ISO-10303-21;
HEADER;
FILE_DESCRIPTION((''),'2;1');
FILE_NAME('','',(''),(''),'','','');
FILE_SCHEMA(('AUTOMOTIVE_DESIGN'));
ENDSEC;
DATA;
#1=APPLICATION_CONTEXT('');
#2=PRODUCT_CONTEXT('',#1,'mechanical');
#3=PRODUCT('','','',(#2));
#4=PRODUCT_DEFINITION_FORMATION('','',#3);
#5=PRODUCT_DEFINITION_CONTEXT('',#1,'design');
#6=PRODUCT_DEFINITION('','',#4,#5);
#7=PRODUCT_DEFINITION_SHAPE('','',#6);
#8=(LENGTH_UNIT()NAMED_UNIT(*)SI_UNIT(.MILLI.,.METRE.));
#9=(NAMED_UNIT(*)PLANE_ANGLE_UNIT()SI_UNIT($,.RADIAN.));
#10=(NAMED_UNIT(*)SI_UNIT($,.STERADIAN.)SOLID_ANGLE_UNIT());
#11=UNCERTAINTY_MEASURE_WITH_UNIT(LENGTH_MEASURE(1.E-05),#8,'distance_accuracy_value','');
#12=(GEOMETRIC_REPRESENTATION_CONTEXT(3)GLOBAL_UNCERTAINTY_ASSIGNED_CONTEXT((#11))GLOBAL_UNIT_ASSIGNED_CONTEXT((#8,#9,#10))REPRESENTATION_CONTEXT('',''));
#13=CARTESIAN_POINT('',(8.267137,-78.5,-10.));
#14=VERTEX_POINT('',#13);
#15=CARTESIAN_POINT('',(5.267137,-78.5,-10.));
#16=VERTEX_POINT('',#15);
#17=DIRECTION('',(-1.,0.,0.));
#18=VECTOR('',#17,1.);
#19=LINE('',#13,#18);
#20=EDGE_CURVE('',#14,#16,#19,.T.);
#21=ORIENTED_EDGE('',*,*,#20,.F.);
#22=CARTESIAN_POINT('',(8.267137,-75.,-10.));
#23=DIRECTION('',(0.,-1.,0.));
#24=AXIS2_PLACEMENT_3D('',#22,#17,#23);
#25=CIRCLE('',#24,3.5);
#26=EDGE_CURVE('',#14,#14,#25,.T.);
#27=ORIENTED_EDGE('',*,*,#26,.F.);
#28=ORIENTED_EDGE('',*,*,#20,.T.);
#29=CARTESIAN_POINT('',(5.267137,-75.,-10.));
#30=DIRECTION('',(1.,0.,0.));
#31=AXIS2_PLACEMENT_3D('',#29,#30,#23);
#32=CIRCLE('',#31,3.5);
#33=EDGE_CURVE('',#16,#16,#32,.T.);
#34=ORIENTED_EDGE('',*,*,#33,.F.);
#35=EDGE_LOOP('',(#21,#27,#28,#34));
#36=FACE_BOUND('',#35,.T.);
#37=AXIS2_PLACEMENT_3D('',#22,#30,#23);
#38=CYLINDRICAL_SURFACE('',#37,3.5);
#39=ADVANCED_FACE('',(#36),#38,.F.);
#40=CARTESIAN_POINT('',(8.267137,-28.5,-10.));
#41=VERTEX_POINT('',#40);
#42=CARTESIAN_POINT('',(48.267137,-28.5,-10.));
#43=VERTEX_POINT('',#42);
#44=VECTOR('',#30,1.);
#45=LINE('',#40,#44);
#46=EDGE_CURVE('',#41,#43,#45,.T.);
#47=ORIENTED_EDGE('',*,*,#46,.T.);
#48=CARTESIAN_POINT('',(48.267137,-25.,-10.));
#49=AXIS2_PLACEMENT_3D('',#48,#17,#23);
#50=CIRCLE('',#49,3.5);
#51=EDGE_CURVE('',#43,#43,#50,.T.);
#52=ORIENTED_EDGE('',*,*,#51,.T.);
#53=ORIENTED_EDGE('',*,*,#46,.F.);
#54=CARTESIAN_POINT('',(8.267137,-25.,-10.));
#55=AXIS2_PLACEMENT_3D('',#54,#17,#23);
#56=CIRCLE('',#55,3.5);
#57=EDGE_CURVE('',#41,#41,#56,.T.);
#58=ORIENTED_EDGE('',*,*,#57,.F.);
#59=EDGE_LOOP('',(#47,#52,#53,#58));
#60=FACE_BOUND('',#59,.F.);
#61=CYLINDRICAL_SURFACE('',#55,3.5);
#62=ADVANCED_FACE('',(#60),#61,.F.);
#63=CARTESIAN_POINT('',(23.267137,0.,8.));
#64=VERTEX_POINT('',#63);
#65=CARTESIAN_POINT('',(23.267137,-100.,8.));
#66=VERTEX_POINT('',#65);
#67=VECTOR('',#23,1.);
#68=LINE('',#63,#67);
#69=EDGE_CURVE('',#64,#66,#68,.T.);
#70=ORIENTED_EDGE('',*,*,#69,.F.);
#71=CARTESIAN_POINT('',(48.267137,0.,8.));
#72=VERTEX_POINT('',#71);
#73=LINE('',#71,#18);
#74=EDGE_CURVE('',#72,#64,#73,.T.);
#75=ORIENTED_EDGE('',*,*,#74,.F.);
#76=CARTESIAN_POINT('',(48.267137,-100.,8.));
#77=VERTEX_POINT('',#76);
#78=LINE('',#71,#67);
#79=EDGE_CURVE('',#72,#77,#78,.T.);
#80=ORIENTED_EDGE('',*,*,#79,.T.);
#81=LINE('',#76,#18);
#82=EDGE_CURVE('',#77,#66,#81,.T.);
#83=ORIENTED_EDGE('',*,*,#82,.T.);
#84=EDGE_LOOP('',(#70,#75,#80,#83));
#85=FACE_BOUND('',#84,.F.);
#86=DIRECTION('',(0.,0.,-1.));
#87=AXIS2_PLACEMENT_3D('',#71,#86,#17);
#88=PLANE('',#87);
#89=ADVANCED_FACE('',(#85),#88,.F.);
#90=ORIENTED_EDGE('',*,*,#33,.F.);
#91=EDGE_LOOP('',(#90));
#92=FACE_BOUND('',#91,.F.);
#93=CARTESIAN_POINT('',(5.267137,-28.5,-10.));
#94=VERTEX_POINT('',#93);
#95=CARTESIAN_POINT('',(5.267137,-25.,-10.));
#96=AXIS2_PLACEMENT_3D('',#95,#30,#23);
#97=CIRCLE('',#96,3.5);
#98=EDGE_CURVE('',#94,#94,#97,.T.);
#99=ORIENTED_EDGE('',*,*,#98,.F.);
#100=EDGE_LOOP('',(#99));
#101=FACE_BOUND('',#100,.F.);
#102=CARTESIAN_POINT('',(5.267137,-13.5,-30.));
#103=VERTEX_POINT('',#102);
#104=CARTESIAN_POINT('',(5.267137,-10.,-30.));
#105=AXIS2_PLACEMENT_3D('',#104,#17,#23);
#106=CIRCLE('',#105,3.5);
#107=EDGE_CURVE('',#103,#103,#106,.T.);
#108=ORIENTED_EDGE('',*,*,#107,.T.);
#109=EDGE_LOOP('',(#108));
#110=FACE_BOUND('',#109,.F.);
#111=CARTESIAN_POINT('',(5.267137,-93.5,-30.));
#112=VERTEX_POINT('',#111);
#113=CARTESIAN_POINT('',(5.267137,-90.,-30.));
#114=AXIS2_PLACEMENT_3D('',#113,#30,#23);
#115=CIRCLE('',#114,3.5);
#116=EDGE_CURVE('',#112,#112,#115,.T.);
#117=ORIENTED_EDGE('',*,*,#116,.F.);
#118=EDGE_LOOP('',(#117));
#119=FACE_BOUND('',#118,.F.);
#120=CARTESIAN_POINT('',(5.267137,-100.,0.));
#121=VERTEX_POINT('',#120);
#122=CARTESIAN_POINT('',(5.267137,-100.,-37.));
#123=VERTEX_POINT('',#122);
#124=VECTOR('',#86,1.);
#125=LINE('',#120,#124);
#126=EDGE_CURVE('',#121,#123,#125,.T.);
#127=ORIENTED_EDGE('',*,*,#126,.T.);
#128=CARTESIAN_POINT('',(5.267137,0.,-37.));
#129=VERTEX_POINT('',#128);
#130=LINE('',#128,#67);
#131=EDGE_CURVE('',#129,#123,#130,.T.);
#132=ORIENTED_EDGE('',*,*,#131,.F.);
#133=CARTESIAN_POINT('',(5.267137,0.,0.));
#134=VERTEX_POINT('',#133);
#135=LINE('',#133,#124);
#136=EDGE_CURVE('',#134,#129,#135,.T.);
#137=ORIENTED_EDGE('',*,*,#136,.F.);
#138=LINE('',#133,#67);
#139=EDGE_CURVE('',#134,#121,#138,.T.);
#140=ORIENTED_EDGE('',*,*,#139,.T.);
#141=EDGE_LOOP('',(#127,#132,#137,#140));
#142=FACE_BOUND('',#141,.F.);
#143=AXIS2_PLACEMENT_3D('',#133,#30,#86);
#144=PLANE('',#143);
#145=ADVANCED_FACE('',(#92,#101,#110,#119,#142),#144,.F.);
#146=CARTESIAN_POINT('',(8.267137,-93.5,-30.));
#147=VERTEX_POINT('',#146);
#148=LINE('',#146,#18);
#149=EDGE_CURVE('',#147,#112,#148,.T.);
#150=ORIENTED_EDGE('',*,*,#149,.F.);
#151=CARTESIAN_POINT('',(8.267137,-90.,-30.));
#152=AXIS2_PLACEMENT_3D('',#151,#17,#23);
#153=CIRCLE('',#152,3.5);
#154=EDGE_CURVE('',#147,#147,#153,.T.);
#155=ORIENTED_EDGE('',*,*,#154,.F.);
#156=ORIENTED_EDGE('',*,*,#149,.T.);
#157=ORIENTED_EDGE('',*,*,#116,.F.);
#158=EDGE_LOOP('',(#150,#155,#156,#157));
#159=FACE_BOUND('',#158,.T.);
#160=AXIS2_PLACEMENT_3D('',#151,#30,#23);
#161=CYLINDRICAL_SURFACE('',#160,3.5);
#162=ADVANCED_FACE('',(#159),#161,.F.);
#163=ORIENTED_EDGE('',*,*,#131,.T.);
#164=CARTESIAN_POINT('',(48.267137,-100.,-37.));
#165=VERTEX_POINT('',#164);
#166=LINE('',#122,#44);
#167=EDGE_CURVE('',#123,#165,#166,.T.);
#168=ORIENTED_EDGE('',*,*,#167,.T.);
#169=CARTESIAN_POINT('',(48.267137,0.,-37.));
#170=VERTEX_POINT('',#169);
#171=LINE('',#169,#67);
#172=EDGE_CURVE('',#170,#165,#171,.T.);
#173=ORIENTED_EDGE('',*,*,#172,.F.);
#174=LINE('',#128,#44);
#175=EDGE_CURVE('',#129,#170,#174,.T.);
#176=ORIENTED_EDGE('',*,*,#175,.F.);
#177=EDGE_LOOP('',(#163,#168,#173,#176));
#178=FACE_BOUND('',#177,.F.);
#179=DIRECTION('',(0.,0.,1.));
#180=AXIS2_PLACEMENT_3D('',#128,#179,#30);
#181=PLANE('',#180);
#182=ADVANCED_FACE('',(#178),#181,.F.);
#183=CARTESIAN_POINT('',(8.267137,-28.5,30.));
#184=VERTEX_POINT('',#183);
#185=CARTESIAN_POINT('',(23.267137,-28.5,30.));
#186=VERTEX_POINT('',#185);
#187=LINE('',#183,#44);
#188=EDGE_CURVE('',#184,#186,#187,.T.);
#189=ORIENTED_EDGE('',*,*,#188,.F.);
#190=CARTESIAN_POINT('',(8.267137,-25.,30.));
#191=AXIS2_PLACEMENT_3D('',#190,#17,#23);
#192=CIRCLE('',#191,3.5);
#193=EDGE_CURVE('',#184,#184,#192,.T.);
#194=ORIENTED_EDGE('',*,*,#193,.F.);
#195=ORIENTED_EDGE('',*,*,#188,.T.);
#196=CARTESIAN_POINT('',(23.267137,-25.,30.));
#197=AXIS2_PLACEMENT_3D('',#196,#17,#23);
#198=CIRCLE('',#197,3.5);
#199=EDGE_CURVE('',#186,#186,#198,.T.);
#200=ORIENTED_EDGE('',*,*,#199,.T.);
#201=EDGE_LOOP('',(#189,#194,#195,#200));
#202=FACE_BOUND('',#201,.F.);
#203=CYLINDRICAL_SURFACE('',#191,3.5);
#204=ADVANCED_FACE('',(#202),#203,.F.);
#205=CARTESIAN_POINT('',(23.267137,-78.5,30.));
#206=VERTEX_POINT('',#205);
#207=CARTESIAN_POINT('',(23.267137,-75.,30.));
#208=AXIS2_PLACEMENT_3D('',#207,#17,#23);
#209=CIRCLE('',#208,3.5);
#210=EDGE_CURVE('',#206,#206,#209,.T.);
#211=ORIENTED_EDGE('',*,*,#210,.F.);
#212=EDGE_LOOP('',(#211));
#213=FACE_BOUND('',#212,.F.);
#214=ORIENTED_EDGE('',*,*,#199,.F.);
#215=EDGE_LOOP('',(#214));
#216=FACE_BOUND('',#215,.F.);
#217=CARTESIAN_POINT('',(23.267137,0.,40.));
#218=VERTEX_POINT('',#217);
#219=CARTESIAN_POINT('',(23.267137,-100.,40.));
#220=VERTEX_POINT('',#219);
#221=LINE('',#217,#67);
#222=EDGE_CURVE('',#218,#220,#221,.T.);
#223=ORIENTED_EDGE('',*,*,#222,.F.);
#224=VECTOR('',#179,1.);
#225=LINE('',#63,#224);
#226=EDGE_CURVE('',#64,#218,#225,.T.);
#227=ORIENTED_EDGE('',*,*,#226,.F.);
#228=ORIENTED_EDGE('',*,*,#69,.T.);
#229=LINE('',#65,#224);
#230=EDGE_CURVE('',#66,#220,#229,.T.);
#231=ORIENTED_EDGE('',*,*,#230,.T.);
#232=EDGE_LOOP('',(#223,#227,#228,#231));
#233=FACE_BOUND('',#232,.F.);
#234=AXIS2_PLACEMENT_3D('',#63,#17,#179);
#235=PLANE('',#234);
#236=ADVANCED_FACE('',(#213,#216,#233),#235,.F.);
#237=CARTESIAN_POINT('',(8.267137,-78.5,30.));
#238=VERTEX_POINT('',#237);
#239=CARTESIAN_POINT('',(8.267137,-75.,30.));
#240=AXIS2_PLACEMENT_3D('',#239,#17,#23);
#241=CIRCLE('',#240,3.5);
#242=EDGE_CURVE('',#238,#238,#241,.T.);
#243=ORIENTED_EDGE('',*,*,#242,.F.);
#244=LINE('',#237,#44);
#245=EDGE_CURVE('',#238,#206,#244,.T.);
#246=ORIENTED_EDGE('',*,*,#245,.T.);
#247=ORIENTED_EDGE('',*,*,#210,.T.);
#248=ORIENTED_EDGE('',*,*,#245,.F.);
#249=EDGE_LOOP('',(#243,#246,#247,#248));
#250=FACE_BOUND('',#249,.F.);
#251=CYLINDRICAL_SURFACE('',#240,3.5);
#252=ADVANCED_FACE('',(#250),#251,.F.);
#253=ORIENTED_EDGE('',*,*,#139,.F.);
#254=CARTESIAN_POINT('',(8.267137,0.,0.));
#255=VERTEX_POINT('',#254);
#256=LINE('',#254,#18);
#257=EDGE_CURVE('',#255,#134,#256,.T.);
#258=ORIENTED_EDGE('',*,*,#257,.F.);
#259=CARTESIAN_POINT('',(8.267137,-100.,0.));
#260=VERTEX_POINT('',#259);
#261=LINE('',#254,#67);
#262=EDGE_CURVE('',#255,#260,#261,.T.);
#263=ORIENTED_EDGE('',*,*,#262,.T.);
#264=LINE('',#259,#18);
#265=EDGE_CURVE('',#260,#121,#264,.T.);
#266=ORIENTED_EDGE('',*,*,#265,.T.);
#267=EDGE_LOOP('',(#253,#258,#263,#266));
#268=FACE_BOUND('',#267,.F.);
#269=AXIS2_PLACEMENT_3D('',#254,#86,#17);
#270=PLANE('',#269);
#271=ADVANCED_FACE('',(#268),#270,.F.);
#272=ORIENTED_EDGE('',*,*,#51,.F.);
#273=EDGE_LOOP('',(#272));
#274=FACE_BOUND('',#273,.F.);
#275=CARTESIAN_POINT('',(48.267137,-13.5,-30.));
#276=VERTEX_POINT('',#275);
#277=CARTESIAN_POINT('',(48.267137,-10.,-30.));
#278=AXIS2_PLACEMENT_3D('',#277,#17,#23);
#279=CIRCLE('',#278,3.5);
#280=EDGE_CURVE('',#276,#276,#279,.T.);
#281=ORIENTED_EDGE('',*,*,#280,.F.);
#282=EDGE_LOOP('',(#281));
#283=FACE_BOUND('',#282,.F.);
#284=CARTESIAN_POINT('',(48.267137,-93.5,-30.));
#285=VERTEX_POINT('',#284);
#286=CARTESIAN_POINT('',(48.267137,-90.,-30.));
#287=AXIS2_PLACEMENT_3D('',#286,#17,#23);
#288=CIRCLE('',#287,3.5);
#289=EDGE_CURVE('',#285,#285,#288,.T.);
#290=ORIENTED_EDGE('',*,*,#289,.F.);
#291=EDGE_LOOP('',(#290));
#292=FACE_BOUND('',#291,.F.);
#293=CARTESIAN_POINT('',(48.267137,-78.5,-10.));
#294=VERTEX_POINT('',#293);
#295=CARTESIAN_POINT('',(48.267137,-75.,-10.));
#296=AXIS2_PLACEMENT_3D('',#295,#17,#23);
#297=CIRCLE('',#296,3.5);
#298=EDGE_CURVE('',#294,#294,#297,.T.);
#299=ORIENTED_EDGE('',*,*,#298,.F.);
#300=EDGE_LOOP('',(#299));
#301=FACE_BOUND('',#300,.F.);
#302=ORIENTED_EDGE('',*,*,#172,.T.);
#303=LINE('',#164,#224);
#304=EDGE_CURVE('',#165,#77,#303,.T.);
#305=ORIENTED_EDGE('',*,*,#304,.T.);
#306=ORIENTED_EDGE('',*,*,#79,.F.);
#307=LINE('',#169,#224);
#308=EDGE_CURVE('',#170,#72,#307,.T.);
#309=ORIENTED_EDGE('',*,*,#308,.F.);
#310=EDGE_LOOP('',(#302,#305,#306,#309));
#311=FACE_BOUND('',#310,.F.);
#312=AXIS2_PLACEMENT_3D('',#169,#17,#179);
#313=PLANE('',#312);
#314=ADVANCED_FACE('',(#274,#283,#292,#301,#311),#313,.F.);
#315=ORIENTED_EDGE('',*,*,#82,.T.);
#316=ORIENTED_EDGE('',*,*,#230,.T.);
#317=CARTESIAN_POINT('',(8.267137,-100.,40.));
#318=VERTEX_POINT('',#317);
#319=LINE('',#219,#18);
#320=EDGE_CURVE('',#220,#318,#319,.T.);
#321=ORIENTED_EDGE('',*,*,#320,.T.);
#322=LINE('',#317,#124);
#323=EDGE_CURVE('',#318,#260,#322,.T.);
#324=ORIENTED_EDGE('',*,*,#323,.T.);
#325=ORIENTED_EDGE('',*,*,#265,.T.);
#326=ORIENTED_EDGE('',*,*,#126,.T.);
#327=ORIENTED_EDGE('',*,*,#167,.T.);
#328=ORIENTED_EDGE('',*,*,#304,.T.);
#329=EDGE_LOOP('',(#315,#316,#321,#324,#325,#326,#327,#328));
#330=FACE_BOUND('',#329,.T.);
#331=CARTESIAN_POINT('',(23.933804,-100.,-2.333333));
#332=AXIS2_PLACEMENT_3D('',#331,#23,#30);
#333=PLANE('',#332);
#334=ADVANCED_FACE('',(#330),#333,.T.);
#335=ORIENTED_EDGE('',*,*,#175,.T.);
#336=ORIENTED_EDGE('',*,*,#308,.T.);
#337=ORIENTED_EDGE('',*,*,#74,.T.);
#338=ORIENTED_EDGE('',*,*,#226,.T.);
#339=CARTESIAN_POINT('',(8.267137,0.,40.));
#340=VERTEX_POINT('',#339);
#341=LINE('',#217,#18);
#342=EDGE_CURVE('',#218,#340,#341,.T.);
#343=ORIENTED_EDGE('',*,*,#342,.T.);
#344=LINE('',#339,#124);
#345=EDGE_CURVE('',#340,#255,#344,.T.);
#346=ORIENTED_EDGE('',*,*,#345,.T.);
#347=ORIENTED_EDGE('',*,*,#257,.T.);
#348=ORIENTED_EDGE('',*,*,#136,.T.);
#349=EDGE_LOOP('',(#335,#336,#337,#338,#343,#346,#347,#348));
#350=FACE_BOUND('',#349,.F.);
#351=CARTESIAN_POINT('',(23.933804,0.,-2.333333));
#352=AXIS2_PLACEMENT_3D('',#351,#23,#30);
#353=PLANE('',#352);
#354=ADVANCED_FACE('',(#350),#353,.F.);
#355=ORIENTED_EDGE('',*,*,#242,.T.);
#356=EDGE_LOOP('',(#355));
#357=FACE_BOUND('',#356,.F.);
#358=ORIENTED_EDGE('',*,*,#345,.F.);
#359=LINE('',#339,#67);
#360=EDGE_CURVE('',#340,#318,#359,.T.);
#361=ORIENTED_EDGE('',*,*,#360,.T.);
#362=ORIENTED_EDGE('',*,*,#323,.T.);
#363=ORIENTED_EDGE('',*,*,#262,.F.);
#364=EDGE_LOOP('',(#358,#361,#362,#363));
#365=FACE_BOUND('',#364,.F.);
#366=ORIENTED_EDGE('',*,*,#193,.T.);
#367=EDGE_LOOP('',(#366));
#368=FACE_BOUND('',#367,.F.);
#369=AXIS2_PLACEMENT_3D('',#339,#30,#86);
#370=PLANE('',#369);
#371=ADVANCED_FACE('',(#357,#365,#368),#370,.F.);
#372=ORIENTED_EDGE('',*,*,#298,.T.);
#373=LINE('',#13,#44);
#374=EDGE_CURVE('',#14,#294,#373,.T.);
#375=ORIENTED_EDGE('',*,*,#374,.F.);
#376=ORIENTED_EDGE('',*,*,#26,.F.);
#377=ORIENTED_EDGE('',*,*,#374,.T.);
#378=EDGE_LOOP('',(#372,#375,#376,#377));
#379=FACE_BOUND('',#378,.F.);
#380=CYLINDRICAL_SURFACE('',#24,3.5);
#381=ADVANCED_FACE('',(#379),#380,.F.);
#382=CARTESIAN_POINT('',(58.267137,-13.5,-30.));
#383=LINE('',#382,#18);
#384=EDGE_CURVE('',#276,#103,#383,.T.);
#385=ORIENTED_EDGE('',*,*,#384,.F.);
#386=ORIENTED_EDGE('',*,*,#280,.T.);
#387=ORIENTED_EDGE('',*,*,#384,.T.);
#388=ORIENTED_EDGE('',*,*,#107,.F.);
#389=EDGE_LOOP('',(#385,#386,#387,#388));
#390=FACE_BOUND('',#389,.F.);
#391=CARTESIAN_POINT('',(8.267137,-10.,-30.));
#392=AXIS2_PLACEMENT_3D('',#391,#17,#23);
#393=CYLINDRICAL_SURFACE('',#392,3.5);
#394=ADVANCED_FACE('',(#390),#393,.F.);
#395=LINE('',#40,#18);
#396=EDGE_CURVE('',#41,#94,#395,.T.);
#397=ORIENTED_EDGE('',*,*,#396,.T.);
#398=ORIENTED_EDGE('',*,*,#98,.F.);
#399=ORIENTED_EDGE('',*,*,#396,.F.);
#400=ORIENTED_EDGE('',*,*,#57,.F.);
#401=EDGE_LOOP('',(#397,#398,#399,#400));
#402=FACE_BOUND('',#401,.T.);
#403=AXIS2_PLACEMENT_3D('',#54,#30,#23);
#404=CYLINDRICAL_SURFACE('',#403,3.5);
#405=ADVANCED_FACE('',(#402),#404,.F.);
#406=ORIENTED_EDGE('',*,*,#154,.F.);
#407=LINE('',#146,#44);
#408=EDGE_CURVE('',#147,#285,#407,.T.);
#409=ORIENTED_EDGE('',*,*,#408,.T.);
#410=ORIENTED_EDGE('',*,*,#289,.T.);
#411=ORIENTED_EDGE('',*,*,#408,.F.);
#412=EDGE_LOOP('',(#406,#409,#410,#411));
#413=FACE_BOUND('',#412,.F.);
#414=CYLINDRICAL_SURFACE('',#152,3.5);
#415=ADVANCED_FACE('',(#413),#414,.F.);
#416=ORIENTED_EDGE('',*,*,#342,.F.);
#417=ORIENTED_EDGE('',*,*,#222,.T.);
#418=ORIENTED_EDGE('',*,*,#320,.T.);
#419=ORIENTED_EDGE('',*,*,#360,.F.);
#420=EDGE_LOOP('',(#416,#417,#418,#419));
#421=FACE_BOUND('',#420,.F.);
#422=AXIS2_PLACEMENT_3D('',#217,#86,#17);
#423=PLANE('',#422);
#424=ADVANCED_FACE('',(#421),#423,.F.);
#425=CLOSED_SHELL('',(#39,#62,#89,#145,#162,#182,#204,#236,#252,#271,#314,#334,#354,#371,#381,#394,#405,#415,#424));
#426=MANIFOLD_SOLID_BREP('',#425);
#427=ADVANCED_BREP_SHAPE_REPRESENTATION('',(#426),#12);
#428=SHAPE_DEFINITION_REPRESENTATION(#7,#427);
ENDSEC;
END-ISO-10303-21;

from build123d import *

# Parameters (mm, degrees)
F1_DEPTH = 100
F2_R     = 3.5
F3_DEPTH = 50


with BuildPart() as f1:
    # F0 (on Front) → F1 (new body)
    with BuildSketch(Plane.XZ):
        Polygon((5.267137222, 0), (5.267137222, -37), (48.267137222, -37), (48.267137222, 8), (23.267137222, 8), (23.267137222, 40), (8.267137222, 40), (8.267137222, 0), align=None)
    extrude(amount=F1_DEPTH)

    # F2 (on face) → F3 (cut, symmetric)
    with BuildSketch(Plane(origin=(8.267137222, 0, 0), x_dir=(0, -1, 0), z_dir=(-1, 0, 0))):
        with Locations((25, 30)):
            Circle(F2_R)
        with Locations((75, 30)):
            Circle(F2_R)
        with Locations((25, -10)):
            Circle(F2_R)
        with Locations((75, -10)):
            Circle(F2_R)
        with Locations((90, -30)):
            Circle(F2_R)
        with Locations((10, -30)):
            Circle(F2_R)
    extrude(amount=F3_DEPTH, both=True, mode=Mode.SUBTRACT)


solid = f1.part
